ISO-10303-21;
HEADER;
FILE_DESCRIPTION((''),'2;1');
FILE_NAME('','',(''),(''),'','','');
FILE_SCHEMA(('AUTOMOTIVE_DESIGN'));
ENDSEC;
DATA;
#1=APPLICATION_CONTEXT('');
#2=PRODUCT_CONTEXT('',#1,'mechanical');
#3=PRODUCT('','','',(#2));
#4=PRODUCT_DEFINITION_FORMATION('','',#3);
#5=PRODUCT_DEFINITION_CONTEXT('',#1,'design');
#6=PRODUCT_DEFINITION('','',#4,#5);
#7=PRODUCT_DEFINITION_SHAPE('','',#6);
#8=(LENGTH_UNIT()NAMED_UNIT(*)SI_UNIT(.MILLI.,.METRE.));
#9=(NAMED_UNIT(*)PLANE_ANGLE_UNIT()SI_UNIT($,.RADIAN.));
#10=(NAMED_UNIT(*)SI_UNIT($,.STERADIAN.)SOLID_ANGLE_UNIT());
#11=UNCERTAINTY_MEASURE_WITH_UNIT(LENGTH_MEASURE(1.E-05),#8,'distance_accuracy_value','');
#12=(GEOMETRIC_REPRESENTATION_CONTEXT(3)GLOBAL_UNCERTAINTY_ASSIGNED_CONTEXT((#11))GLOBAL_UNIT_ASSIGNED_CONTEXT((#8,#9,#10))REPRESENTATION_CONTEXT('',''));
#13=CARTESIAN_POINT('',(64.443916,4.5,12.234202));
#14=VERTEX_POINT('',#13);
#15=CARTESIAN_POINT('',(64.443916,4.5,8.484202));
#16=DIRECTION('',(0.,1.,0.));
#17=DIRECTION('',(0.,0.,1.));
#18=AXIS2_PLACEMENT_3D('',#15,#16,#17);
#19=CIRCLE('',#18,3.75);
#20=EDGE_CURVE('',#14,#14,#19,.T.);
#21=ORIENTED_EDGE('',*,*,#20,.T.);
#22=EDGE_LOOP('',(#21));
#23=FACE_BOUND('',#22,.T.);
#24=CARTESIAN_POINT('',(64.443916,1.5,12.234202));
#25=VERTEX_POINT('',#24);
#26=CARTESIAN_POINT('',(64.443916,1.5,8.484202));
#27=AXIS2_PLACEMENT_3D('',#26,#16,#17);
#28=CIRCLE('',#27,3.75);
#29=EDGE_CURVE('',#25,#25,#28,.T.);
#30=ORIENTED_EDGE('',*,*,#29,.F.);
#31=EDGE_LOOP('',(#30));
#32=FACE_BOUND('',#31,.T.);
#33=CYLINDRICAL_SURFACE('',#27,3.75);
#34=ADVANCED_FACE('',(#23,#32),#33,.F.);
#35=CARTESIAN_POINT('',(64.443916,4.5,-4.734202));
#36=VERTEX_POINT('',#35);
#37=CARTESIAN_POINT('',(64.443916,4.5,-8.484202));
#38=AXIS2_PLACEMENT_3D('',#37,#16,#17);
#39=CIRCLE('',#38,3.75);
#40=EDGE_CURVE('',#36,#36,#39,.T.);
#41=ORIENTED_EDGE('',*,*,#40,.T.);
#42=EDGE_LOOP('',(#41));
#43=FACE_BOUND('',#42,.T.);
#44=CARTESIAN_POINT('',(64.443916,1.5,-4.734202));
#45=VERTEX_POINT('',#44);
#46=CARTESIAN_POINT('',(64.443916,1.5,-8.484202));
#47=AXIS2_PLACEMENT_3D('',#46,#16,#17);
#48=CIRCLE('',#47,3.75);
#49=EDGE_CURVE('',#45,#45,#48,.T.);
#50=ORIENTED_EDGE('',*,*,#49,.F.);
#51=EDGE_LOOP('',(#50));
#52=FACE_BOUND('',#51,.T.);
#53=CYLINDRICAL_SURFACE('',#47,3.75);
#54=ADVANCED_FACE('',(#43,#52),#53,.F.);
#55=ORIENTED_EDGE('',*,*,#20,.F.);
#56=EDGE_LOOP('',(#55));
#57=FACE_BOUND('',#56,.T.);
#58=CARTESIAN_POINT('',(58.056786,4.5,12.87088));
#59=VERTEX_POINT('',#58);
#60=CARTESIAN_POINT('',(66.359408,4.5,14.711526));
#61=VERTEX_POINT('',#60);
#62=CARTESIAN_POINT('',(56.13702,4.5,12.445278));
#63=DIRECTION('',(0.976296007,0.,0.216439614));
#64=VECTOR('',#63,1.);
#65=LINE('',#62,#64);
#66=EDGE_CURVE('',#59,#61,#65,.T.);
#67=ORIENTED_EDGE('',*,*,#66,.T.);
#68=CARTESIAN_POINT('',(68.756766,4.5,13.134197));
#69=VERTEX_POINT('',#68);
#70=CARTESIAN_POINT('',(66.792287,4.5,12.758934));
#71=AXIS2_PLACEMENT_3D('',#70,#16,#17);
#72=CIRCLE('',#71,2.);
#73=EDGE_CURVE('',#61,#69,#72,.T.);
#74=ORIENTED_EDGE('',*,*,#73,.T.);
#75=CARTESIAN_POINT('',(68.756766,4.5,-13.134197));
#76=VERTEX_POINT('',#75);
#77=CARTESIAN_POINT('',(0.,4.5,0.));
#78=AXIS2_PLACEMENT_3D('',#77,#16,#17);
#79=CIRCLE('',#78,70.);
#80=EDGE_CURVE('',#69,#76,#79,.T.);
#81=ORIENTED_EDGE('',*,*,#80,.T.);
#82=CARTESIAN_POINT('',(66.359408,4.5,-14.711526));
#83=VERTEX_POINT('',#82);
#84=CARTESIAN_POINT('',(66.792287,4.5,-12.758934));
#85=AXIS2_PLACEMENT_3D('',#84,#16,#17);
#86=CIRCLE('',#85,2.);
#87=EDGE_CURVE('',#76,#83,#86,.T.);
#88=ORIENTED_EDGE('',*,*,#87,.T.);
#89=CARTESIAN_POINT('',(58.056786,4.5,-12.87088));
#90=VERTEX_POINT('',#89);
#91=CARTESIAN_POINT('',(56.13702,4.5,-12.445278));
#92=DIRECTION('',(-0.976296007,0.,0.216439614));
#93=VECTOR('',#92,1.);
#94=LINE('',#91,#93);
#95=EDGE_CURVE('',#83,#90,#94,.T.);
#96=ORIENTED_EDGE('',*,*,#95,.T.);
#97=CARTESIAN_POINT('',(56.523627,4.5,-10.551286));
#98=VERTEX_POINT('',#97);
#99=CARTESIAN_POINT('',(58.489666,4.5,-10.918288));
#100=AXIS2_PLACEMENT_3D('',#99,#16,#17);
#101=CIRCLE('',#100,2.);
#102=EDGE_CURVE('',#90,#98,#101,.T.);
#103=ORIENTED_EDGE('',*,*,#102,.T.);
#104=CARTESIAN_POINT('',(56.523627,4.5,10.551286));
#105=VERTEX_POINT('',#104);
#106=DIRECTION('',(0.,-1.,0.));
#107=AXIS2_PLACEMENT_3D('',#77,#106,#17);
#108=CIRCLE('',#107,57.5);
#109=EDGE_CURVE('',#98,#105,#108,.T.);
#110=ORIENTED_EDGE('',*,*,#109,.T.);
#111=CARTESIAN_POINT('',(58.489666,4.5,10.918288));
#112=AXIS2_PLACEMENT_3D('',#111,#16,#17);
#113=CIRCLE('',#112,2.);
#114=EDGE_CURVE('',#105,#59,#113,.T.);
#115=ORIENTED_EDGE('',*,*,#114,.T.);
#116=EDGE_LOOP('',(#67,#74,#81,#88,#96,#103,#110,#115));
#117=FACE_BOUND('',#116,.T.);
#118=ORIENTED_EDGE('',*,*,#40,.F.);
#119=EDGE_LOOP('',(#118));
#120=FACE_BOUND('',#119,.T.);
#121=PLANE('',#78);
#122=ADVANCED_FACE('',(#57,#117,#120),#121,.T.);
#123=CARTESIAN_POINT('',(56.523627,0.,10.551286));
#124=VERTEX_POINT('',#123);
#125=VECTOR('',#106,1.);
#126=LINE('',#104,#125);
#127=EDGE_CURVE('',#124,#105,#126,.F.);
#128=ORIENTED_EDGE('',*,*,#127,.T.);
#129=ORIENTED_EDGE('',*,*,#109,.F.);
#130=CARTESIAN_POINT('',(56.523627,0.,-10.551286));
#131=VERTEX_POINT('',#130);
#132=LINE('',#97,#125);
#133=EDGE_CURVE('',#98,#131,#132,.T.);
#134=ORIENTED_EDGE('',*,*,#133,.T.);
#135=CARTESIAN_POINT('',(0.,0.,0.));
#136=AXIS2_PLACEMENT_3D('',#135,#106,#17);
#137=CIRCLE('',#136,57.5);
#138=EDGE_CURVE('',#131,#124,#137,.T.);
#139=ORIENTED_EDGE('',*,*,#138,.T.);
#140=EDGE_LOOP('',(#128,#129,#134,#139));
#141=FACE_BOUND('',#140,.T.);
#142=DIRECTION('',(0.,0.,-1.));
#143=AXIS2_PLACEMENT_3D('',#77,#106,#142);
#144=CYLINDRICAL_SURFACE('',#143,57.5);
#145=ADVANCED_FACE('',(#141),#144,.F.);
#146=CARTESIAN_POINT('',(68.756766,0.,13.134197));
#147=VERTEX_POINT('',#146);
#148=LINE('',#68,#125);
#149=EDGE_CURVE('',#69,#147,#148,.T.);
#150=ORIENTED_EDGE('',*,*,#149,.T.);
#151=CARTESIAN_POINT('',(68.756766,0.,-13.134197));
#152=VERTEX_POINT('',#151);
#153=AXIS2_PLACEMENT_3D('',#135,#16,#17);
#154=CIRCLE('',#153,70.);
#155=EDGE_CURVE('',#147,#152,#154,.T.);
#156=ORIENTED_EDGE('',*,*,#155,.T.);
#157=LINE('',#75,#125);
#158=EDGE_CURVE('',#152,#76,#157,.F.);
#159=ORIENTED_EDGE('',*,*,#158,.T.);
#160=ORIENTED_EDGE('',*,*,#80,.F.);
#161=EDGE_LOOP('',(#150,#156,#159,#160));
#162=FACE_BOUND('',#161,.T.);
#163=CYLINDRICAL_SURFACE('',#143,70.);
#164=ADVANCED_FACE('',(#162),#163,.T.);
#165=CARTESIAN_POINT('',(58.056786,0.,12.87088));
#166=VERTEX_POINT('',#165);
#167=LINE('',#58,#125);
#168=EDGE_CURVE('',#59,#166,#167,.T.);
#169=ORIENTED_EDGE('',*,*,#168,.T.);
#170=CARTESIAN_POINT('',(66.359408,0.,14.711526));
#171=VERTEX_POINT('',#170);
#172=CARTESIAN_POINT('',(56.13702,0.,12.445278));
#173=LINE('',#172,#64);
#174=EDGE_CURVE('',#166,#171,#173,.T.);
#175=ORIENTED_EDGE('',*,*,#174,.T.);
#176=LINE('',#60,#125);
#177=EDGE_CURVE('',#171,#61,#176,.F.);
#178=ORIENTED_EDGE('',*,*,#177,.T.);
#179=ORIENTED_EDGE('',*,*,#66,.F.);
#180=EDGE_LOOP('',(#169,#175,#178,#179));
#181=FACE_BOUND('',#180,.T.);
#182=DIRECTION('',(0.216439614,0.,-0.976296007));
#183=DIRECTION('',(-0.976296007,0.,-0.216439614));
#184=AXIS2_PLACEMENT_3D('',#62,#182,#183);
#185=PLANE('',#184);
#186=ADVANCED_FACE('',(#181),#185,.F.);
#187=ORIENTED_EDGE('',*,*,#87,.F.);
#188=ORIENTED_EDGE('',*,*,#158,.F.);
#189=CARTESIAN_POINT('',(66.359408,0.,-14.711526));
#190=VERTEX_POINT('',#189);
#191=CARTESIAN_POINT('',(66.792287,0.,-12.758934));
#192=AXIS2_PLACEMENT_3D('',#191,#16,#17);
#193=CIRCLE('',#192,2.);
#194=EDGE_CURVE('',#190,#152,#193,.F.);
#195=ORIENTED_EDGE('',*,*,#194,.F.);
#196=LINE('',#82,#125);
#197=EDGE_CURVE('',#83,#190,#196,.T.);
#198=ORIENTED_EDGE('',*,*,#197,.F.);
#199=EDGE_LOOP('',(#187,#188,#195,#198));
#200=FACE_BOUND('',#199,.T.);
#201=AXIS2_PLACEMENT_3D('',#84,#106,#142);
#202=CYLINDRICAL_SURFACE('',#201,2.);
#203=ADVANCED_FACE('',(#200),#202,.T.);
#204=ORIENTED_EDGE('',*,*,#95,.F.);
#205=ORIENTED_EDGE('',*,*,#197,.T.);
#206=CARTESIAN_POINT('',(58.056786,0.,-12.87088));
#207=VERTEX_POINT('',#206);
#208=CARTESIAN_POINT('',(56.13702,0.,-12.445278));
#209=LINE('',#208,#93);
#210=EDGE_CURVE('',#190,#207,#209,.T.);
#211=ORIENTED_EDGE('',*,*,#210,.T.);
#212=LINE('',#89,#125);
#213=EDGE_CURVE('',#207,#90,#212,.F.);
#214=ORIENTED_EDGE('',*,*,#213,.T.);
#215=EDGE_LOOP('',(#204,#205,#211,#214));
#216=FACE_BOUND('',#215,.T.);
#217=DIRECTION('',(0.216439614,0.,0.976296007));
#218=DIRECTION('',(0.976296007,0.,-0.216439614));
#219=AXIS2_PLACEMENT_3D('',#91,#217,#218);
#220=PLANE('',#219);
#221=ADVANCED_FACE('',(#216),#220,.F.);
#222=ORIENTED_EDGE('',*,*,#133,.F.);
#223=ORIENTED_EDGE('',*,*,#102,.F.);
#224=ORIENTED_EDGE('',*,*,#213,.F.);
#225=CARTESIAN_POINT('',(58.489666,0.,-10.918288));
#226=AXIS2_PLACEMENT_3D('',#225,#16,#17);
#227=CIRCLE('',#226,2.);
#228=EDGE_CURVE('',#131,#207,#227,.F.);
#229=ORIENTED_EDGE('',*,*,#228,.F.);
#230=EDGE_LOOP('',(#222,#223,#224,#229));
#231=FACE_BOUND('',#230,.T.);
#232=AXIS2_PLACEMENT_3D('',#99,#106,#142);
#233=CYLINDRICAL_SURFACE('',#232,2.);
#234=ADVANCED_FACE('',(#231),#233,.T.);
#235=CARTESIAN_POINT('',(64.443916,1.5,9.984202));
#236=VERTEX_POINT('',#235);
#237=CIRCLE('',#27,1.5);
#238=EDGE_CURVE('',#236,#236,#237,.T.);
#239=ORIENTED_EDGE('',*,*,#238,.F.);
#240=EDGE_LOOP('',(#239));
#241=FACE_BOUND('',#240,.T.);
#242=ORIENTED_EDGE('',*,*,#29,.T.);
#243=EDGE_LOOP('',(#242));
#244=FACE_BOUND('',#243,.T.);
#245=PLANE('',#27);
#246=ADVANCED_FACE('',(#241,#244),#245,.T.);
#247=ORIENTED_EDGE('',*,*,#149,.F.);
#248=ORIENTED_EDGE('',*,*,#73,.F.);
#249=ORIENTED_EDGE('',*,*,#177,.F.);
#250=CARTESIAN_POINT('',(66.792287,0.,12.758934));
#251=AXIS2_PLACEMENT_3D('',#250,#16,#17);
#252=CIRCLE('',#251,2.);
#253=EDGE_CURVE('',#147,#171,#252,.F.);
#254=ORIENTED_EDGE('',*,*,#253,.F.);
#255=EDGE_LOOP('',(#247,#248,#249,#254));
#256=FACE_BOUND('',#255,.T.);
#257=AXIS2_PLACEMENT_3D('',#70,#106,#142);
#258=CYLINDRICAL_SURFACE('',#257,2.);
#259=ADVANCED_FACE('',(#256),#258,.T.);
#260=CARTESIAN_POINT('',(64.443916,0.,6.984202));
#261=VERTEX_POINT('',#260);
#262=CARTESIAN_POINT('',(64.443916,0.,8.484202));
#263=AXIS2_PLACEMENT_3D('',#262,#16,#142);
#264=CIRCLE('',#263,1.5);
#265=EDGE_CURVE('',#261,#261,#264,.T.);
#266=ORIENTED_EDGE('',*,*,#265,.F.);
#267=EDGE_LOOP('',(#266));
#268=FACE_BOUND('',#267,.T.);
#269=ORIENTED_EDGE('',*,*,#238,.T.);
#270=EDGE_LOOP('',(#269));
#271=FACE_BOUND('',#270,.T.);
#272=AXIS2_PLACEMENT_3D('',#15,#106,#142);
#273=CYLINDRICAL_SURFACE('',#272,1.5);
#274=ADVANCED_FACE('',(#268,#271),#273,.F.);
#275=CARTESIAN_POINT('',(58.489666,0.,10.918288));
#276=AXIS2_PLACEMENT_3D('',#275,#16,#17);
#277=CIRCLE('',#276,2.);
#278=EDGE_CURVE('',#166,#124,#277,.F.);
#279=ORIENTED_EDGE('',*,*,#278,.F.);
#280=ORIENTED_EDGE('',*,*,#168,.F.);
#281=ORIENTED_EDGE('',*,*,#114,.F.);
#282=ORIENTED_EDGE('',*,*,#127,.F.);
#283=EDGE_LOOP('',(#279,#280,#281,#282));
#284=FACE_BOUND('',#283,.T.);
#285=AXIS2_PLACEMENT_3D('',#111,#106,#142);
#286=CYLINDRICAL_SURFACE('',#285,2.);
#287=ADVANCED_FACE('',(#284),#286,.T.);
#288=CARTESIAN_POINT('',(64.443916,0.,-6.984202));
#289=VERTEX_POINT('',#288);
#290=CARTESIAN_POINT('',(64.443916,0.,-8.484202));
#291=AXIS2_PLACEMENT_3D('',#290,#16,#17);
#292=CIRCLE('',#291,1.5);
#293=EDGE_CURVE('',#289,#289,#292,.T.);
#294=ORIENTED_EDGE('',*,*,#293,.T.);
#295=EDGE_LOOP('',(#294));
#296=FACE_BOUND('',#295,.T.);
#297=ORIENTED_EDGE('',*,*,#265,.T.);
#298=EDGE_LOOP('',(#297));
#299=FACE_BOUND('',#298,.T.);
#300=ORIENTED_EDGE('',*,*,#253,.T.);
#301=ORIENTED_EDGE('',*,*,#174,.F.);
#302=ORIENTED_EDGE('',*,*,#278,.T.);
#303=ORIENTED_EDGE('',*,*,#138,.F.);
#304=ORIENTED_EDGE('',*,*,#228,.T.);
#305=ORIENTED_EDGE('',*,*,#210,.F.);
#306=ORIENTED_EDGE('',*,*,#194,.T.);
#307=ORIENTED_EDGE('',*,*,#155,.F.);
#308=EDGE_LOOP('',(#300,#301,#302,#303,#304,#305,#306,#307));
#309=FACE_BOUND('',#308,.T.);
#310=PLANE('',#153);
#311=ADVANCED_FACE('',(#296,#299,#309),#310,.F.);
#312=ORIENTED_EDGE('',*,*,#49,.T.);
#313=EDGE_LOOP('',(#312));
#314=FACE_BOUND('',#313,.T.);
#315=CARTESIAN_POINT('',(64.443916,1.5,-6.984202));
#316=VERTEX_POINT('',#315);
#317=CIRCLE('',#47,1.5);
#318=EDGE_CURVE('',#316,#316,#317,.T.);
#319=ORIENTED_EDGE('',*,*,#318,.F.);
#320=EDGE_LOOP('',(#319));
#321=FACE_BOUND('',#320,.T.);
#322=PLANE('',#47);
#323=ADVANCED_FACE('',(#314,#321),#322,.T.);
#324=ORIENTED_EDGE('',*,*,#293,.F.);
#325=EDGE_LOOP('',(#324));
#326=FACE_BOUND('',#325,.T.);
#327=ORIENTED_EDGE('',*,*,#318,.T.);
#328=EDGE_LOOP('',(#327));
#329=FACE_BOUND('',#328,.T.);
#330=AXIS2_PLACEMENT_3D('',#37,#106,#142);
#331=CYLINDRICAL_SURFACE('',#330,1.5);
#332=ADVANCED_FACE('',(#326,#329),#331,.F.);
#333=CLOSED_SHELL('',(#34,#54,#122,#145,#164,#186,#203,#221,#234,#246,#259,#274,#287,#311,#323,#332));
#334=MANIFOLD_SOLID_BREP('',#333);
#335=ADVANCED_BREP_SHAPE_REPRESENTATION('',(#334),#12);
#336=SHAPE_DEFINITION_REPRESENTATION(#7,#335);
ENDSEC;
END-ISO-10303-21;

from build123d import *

# Parameters (mm, degrees)
SKETCH_1_R          = 1.5
EXTRUDE_1_DEPTH     = 4.5
FILLET_1_R          = 2
SKETCH_2_R          = 3.75
CUT_EXTRUDE_1_DEPTH = 3


with BuildPart() as part:
    # ｽｹｯﾁ1 → ﾎﾞｽ - 押し出し1 (new body)
    with BuildSketch(Plane(origin=(0, 0, 0), x_dir=(1, 0, 0), z_dir=(0, 1, 0))):
        with BuildLine():
            Line((56.137020409, 12.445277801), (68.340720498, 15.150772976))
            ThreePointArc((68.340720498, 15.150772976), (70, 0), (68.340720498, -15.150772976))
            Line((68.340720498, -15.150772976), (56.137020409, -12.445277801))
            ThreePointArc((56.137020409, -12.445277801), (57.5, 0), (56.137020409, 12.445277801))
        make_face()
        with Locations(Location((64.443915989, 8.484202494, 0), (0, 0, 270))):
            Circle(SKETCH_1_R, mode=Mode.SUBTRACT)
        with Locations(Location((64.443915989, -8.484202494, 0), (0, 0, 90))):
            Circle(SKETCH_1_R, mode=Mode.SUBTRACT)
    extrude(amount=EXTRUDE_1_DEPTH)

    # ﾌｨﾚｯﾄ1
    fillet_1_edges = [part.edges().sort_by_distance(p)[0] for p in [
        (68.340720498, 2.25, 15.150772976),
        (56.137020409, 2.25, 12.445277801),
        (56.137020409, 2.25, -12.445277801),
        (68.340720498, 2.25, -15.150772976),
    ]]
    fillet(fillet_1_edges, radius=FILLET_1_R)

    # ｽｹｯﾁ2 → ｶｯﾄ - 押し出し1 (cut)
    with BuildSketch(Plane(origin=(0, 4.5, 0), x_dir=(1, 0, 0), z_dir=(0, 1, 0))):
        with Locations(Location((64.443915989, 8.484202494, 0), (0, 0, 270))):
            Circle(SKETCH_2_R)
        with Locations(Location((64.443915989, -8.484202494, 0), (0, 0, 270))):
            Circle(SKETCH_2_R)
    extrude(amount=-CUT_EXTRUDE_1_DEPTH, mode=Mode.SUBTRACT)


solid = part.part
